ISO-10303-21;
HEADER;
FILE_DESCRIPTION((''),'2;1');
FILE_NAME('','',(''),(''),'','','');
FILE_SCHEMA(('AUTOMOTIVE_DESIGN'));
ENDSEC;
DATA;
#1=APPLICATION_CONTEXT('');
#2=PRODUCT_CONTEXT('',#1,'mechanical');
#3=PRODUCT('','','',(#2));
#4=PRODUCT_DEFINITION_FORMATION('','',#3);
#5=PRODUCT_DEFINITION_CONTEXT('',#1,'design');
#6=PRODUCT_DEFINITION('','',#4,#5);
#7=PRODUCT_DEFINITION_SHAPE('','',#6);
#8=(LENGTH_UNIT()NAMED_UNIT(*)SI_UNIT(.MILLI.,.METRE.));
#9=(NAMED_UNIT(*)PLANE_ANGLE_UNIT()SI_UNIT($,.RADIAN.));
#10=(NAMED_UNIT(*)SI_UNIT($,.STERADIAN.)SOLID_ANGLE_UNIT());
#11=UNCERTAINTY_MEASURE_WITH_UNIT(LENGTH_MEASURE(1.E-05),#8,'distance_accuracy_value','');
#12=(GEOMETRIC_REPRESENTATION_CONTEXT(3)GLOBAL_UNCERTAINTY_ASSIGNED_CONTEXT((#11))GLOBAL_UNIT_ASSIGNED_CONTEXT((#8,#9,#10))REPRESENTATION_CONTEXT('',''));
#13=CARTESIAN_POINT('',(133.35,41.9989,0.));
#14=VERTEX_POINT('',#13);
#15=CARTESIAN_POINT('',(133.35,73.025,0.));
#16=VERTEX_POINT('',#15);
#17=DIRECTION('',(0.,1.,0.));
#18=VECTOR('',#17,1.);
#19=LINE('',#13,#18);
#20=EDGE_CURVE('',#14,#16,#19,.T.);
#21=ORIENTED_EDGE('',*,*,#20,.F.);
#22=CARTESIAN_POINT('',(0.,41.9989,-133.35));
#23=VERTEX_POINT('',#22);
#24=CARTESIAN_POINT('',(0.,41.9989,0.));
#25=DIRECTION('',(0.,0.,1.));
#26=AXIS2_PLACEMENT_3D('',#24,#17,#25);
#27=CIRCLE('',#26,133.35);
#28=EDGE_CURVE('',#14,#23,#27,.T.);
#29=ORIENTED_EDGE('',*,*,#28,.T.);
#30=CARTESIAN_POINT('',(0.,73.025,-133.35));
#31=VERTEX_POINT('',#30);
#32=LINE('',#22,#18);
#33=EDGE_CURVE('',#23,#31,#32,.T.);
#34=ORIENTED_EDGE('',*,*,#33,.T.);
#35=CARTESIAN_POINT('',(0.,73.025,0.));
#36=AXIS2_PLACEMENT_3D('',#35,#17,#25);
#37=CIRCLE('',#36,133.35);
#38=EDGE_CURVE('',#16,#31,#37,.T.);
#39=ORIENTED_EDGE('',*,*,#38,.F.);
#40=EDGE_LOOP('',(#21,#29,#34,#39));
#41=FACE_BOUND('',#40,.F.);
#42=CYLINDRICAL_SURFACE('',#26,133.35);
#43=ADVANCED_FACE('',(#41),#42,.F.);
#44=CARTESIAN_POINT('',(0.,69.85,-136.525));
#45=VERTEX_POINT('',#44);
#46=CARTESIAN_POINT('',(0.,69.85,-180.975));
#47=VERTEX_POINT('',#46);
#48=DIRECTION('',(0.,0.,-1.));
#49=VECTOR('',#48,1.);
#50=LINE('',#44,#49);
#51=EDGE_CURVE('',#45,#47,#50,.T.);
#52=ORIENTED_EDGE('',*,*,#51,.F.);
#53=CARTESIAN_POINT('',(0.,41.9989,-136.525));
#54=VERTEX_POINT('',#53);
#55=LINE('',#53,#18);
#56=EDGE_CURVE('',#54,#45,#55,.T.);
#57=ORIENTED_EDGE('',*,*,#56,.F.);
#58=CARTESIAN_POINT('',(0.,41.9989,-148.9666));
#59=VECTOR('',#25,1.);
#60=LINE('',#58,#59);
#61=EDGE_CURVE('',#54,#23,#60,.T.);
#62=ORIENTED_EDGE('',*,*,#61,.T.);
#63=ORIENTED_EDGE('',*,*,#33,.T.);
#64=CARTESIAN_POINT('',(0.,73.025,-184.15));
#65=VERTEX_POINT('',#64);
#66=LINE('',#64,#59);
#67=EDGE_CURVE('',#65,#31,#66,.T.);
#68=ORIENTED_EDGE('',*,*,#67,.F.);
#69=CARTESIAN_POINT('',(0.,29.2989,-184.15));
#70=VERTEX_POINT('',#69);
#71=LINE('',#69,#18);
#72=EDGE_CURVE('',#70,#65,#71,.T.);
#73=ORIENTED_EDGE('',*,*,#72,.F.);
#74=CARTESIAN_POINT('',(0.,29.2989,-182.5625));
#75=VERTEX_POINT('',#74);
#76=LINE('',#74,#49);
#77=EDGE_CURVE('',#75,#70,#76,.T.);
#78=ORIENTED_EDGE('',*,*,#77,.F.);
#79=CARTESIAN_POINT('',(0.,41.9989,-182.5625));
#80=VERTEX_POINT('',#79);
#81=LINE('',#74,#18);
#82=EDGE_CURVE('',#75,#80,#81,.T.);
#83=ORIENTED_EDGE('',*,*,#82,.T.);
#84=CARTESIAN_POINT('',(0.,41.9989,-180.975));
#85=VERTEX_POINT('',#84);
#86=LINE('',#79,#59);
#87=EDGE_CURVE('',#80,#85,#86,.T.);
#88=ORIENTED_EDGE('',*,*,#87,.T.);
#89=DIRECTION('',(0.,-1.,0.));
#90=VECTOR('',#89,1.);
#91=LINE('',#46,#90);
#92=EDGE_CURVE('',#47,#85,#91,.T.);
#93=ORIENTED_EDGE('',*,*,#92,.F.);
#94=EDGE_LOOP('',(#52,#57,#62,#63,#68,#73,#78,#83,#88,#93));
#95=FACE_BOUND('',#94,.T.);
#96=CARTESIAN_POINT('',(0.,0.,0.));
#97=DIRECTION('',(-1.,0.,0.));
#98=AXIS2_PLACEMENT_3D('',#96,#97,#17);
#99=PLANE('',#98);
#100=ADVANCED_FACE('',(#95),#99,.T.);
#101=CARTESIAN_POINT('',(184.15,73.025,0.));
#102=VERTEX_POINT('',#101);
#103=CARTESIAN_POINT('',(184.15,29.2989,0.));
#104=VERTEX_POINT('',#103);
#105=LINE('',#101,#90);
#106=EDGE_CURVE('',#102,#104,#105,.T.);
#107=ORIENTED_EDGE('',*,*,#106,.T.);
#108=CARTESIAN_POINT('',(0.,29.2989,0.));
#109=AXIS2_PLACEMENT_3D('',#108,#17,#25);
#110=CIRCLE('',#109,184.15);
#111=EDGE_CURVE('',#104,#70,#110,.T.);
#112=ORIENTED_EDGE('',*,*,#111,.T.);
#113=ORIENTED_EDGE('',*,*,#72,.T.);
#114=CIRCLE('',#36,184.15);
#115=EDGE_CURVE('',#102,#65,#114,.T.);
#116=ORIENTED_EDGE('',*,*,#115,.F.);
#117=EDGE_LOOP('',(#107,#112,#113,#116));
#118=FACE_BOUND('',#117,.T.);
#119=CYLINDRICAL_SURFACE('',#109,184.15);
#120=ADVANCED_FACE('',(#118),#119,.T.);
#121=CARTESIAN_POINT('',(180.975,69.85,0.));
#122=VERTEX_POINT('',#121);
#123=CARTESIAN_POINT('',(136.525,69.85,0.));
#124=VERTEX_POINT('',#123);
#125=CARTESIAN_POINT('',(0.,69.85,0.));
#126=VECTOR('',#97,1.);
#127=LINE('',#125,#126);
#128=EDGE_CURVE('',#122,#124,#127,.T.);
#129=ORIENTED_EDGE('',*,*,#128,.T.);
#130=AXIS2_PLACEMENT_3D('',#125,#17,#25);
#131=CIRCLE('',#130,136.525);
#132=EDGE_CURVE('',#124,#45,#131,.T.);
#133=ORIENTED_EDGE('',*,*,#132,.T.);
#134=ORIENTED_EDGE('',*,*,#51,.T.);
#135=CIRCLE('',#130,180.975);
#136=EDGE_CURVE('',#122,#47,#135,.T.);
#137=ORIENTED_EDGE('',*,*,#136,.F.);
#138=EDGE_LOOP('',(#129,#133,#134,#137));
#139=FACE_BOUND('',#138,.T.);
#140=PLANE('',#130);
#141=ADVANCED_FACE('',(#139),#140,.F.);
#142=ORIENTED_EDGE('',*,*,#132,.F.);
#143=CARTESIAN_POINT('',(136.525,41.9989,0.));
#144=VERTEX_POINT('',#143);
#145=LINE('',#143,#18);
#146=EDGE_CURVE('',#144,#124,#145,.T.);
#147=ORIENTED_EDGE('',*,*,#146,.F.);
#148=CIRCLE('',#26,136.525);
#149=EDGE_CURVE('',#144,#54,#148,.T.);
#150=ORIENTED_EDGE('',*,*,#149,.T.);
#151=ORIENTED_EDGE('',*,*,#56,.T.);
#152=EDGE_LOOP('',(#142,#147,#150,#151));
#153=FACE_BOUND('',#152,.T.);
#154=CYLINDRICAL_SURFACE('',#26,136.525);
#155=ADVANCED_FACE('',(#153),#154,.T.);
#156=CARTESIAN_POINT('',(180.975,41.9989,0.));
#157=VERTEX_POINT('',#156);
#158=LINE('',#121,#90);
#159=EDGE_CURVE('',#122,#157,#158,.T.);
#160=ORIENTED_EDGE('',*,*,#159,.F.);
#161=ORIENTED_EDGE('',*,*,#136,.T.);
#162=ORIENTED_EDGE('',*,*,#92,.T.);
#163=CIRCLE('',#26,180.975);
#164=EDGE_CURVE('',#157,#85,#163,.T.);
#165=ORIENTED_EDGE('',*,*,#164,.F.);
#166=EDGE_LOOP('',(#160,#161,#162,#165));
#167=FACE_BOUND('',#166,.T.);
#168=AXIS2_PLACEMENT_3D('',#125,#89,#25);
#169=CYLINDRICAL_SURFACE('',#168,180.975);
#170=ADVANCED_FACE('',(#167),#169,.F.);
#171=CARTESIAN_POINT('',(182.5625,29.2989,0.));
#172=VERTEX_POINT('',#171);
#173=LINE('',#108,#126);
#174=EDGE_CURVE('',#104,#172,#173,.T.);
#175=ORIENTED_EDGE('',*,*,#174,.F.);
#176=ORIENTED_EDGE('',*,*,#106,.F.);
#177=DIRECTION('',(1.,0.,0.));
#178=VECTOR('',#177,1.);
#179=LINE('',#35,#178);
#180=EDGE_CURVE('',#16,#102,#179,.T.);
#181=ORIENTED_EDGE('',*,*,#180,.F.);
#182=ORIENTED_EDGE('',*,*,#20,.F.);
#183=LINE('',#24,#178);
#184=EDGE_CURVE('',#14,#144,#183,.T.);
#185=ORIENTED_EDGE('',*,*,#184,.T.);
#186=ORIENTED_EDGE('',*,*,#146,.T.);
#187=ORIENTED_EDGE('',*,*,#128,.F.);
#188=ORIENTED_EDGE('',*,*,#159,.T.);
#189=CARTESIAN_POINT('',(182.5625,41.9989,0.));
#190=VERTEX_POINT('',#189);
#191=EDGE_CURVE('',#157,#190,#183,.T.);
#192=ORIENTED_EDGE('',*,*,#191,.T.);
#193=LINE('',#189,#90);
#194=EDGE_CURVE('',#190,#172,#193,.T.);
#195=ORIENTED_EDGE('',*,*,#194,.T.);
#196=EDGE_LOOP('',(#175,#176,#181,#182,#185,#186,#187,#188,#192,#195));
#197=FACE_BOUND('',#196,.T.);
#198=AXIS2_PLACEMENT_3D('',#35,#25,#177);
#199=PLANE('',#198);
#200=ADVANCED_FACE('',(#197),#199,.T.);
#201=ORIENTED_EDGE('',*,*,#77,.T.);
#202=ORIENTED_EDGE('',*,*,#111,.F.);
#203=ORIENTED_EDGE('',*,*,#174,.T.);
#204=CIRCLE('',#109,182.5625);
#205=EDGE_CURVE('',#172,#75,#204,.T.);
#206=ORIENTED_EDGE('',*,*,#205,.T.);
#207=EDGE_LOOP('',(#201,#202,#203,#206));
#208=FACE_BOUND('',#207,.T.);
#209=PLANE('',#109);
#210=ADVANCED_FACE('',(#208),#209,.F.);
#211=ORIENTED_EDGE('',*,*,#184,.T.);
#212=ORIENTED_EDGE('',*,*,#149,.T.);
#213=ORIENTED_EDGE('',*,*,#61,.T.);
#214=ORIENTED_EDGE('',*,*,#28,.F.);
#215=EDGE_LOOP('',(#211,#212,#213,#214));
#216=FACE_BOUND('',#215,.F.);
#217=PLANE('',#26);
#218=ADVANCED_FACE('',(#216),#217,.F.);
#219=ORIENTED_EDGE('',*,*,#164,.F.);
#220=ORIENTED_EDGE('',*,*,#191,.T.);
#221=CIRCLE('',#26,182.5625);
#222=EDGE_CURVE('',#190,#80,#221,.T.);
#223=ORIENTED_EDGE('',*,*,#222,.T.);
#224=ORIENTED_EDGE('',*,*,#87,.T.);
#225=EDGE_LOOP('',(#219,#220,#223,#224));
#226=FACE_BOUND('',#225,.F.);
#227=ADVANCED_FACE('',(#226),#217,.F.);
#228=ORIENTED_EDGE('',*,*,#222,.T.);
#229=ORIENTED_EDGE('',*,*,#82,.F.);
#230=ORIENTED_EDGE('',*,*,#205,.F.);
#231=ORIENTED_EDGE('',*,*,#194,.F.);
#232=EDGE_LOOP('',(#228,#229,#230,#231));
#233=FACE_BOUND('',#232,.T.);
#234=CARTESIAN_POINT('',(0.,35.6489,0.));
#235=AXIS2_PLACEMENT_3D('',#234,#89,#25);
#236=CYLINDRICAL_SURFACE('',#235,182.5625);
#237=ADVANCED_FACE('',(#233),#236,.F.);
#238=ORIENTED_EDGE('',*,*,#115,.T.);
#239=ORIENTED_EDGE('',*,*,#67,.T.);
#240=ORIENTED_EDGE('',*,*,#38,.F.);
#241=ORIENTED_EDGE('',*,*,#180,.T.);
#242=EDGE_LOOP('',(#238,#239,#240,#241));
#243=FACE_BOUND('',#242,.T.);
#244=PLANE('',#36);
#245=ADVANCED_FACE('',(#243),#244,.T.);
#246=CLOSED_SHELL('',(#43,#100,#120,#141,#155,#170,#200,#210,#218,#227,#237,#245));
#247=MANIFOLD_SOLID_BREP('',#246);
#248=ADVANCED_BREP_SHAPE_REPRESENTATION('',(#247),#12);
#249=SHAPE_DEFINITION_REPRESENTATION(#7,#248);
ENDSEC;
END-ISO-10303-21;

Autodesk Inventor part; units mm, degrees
ref_plane "YZ Plane" through (0, 0, 0) normal (1, 0, 0) x (0, 1, 0)
ref_plane "XZ Plane" through (0, 0, 0) normal (0, 1, 0) x (-1, 0, 0)
ref_plane "XY Plane" through (0, 0, 0) normal (0, 0, 1) x (1, 0, 0)
sketch "Sketch1" plane through (0, 0, 0) normal (1, 0, 0) x (0, 1, 0)
  line L0 (0, 0) -> (50.8, 0)
  line L1 (0, 133.35) -> (0, 184.15)
  line L2 (29.2989, 184.15) -> (73.025, 184.15)
  line L3 (73.025, 184.15) -> (73.025, 133.35)
  line L4 (69.85, 180.975) -> (41.9989, 180.975)
  line L5 (3.175, 180.975) -> (3.175, 136.525)
  line L6 (69.85, 136.525) -> (69.85, 180.975)
  line L7 (29.2989, 148.3694) -> (29.2989, 120.4477)
  line L8 (41.9989, 148.9666) -> (41.9989, 122.6874)
  line L9 (0, 133.35) -> (29.2989, 133.35)
  line L10 (41.9989, 133.35) -> (73.025, 133.35)
  line L11 (3.175, 136.525) -> (29.2989, 136.525)
  line L12 (41.9989, 136.525) -> (69.85, 136.525)
  line L13 (35.6489, 182.5625) -> (29.2989, 182.5625)
  line L14 (29.2989, 182.5625) -> (29.2989, 184.15)
  line L15 (35.6489, 182.5625) -> (41.9989, 182.5625)
  line L16 (41.9989, 182.5625) -> (41.9989, 180.975)
  line L17 (35.6489, 170.4093) -> (35.6489, 182.5625)
  line L18 (35.6489, 184.15) -> (35.6489, 196.0777)
  point P0 (3.175, 180.975)
  point P1 (69.85, 136.525)
  dimension "d0" = 50.8
  dimension "d3" = 50.8
  dimension "d4" = 73.025
  dimension "d5" = 3.175
  dimension "d6" = 3.175
  dimension "d7" = 3.175
  dimension "d8" = 3.175
  dimension "d9" = 3.175
  dimension "d11" = 3.175
  dimension "d13" = 26.1239
  dimension "d14" = 12.7
  dimension "d16" = 133.35
  dimension "d17" = 3.175
  dimension "d18" = 3.175
  dimension "d19" = 6.35
  dimension "d20" = 1.5875
  dimension "d21" = 6.35
  dimension "d22" = 6.35
revolve "Revolution1" add sketch "Sketch1" angle 180 about axis through (0, 0, 0) along (0, 1, 0)
sketch "Sketch2" plane through (0, 73.025, 184.15) normal (0, 1, 0) x (1, 0, 0)
  line L0 (0, 184.15) -> (255.0466, 184.15)
  line L1 (255.0466, 184.15) -> (255.0466, -9.3169)
  line L2 (255.0466, -9.3169) -> (0, -9.3169)
  line L3 (0, -9.3169) -> (0, 184.15)
extrude "Extrusion1" cut sketch "Sketch2" against normal through all
properties part number "Outer_Shell_Top_Quarter"
